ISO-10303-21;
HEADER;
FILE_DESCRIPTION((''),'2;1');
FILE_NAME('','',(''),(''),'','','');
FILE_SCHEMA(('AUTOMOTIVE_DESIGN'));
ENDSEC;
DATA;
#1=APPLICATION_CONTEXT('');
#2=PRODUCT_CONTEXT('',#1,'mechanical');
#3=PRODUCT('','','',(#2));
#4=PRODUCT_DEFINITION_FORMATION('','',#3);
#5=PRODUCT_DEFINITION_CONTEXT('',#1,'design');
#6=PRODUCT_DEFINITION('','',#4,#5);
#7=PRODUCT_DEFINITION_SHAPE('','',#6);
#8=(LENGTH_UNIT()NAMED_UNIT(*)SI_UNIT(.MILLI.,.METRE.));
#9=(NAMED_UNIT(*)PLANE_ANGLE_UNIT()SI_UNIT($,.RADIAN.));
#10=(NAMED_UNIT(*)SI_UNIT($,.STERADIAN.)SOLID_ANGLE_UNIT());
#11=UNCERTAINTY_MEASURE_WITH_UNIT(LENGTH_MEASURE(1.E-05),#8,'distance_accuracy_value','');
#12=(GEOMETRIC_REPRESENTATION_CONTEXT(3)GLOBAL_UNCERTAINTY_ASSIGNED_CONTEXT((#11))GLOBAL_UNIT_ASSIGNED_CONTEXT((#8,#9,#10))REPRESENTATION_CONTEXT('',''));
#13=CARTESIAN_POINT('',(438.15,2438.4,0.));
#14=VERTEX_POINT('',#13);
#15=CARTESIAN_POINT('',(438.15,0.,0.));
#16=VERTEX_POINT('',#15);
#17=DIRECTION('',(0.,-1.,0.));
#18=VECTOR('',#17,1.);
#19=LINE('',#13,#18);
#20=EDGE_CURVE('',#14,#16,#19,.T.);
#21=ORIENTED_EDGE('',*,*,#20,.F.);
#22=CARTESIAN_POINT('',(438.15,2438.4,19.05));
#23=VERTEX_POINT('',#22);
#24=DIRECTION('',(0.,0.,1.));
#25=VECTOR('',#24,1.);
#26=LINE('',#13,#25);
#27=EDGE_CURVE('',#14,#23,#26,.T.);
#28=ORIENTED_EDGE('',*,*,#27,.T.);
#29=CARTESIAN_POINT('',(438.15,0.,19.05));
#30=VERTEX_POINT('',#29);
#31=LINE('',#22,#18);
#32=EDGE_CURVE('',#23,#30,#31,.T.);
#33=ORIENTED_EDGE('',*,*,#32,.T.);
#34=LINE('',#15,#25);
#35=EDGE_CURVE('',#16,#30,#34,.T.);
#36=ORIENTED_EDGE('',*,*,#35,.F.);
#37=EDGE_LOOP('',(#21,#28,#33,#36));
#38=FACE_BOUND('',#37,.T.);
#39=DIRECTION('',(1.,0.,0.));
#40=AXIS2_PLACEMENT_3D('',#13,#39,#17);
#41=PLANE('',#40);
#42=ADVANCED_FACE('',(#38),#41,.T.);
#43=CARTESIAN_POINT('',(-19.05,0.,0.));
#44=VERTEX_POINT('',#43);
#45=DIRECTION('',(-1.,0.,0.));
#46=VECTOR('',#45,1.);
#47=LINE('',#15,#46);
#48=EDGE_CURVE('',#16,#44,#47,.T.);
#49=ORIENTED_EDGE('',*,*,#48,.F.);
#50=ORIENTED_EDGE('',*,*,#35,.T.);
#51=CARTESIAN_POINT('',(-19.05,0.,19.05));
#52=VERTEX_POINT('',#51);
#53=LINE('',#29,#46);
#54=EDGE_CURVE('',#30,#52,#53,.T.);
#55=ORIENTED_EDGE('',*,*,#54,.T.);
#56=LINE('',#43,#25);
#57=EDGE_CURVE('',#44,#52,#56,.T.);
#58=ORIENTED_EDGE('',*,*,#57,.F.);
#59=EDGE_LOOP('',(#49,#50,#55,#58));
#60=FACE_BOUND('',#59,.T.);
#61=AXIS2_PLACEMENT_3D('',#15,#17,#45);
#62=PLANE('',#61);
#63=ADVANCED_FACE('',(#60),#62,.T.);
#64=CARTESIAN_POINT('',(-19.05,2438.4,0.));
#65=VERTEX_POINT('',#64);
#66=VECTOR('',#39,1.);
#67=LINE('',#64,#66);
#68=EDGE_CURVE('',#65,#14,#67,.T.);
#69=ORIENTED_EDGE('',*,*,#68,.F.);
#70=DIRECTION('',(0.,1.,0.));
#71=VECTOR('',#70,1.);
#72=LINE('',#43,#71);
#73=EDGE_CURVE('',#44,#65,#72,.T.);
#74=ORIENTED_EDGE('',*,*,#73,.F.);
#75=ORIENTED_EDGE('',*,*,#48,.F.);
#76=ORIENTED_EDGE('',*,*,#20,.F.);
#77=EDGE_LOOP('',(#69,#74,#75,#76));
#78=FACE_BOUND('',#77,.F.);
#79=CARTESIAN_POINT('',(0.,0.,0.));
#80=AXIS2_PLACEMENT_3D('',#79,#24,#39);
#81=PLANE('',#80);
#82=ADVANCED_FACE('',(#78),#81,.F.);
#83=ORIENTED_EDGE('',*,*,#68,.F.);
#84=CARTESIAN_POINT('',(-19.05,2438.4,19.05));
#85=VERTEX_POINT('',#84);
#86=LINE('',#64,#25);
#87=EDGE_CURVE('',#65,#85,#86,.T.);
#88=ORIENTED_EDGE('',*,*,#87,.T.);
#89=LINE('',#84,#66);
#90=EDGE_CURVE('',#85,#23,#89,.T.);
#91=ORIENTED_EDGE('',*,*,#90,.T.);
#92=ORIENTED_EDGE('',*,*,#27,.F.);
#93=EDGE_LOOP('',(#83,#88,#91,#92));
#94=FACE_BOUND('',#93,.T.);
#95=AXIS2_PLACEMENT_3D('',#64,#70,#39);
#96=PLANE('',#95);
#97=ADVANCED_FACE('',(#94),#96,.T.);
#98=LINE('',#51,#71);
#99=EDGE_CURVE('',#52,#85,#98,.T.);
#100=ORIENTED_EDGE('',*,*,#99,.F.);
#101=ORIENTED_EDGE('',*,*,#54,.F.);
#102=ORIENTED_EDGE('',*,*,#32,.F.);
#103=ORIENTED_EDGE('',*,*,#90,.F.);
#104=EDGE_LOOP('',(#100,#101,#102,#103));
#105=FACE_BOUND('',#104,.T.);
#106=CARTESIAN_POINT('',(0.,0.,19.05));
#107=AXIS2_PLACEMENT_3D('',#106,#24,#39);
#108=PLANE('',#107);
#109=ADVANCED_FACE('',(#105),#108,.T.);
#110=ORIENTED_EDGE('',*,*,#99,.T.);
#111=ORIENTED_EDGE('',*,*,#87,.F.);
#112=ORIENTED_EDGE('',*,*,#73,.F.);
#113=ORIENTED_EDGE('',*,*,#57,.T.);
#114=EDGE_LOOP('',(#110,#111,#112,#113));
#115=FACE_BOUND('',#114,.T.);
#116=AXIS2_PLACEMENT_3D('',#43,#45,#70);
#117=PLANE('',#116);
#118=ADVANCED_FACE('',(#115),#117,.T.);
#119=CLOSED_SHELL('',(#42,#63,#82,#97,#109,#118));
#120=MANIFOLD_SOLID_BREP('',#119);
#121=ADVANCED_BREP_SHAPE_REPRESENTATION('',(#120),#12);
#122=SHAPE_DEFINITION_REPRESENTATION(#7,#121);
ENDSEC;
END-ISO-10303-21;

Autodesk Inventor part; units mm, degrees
ref_plane "YZ Plane" through (0, 0, 0) normal (1, 0, 0) x (0, 1, 0)
ref_plane "XZ Plane" through (0, 0, 0) normal (0, 1, 0) x (-1, 0, 0)
ref_plane "XY Plane" through (0, 0, 0) normal (0, 0, 1) x (1, 0, 0)
sketch "Sketch1" plane through (0, 0, 0) normal (0, 0, 1) x (1, 0, 0)
  line L0 (-19.05, 0) -> (-19.05, 2438.4) projected
  line L1 (-19.05, 2438.4) -> (438.15, 2438.4)
  line L2 (438.15, 2438.4) -> (438.15, 0)
  line L3 (438.15, 0) -> (-19.05, 0)
  line L4 (-19.05, 0) -> (-19.05, 2438.4)
  point P0 (0, 0)
  point P1 (209.55, 0)
  dimension "d0" = 457.2
extrude "Extrusion1" add sketch "Sketch1" along normal blind 19.05
properties part number "Top"
